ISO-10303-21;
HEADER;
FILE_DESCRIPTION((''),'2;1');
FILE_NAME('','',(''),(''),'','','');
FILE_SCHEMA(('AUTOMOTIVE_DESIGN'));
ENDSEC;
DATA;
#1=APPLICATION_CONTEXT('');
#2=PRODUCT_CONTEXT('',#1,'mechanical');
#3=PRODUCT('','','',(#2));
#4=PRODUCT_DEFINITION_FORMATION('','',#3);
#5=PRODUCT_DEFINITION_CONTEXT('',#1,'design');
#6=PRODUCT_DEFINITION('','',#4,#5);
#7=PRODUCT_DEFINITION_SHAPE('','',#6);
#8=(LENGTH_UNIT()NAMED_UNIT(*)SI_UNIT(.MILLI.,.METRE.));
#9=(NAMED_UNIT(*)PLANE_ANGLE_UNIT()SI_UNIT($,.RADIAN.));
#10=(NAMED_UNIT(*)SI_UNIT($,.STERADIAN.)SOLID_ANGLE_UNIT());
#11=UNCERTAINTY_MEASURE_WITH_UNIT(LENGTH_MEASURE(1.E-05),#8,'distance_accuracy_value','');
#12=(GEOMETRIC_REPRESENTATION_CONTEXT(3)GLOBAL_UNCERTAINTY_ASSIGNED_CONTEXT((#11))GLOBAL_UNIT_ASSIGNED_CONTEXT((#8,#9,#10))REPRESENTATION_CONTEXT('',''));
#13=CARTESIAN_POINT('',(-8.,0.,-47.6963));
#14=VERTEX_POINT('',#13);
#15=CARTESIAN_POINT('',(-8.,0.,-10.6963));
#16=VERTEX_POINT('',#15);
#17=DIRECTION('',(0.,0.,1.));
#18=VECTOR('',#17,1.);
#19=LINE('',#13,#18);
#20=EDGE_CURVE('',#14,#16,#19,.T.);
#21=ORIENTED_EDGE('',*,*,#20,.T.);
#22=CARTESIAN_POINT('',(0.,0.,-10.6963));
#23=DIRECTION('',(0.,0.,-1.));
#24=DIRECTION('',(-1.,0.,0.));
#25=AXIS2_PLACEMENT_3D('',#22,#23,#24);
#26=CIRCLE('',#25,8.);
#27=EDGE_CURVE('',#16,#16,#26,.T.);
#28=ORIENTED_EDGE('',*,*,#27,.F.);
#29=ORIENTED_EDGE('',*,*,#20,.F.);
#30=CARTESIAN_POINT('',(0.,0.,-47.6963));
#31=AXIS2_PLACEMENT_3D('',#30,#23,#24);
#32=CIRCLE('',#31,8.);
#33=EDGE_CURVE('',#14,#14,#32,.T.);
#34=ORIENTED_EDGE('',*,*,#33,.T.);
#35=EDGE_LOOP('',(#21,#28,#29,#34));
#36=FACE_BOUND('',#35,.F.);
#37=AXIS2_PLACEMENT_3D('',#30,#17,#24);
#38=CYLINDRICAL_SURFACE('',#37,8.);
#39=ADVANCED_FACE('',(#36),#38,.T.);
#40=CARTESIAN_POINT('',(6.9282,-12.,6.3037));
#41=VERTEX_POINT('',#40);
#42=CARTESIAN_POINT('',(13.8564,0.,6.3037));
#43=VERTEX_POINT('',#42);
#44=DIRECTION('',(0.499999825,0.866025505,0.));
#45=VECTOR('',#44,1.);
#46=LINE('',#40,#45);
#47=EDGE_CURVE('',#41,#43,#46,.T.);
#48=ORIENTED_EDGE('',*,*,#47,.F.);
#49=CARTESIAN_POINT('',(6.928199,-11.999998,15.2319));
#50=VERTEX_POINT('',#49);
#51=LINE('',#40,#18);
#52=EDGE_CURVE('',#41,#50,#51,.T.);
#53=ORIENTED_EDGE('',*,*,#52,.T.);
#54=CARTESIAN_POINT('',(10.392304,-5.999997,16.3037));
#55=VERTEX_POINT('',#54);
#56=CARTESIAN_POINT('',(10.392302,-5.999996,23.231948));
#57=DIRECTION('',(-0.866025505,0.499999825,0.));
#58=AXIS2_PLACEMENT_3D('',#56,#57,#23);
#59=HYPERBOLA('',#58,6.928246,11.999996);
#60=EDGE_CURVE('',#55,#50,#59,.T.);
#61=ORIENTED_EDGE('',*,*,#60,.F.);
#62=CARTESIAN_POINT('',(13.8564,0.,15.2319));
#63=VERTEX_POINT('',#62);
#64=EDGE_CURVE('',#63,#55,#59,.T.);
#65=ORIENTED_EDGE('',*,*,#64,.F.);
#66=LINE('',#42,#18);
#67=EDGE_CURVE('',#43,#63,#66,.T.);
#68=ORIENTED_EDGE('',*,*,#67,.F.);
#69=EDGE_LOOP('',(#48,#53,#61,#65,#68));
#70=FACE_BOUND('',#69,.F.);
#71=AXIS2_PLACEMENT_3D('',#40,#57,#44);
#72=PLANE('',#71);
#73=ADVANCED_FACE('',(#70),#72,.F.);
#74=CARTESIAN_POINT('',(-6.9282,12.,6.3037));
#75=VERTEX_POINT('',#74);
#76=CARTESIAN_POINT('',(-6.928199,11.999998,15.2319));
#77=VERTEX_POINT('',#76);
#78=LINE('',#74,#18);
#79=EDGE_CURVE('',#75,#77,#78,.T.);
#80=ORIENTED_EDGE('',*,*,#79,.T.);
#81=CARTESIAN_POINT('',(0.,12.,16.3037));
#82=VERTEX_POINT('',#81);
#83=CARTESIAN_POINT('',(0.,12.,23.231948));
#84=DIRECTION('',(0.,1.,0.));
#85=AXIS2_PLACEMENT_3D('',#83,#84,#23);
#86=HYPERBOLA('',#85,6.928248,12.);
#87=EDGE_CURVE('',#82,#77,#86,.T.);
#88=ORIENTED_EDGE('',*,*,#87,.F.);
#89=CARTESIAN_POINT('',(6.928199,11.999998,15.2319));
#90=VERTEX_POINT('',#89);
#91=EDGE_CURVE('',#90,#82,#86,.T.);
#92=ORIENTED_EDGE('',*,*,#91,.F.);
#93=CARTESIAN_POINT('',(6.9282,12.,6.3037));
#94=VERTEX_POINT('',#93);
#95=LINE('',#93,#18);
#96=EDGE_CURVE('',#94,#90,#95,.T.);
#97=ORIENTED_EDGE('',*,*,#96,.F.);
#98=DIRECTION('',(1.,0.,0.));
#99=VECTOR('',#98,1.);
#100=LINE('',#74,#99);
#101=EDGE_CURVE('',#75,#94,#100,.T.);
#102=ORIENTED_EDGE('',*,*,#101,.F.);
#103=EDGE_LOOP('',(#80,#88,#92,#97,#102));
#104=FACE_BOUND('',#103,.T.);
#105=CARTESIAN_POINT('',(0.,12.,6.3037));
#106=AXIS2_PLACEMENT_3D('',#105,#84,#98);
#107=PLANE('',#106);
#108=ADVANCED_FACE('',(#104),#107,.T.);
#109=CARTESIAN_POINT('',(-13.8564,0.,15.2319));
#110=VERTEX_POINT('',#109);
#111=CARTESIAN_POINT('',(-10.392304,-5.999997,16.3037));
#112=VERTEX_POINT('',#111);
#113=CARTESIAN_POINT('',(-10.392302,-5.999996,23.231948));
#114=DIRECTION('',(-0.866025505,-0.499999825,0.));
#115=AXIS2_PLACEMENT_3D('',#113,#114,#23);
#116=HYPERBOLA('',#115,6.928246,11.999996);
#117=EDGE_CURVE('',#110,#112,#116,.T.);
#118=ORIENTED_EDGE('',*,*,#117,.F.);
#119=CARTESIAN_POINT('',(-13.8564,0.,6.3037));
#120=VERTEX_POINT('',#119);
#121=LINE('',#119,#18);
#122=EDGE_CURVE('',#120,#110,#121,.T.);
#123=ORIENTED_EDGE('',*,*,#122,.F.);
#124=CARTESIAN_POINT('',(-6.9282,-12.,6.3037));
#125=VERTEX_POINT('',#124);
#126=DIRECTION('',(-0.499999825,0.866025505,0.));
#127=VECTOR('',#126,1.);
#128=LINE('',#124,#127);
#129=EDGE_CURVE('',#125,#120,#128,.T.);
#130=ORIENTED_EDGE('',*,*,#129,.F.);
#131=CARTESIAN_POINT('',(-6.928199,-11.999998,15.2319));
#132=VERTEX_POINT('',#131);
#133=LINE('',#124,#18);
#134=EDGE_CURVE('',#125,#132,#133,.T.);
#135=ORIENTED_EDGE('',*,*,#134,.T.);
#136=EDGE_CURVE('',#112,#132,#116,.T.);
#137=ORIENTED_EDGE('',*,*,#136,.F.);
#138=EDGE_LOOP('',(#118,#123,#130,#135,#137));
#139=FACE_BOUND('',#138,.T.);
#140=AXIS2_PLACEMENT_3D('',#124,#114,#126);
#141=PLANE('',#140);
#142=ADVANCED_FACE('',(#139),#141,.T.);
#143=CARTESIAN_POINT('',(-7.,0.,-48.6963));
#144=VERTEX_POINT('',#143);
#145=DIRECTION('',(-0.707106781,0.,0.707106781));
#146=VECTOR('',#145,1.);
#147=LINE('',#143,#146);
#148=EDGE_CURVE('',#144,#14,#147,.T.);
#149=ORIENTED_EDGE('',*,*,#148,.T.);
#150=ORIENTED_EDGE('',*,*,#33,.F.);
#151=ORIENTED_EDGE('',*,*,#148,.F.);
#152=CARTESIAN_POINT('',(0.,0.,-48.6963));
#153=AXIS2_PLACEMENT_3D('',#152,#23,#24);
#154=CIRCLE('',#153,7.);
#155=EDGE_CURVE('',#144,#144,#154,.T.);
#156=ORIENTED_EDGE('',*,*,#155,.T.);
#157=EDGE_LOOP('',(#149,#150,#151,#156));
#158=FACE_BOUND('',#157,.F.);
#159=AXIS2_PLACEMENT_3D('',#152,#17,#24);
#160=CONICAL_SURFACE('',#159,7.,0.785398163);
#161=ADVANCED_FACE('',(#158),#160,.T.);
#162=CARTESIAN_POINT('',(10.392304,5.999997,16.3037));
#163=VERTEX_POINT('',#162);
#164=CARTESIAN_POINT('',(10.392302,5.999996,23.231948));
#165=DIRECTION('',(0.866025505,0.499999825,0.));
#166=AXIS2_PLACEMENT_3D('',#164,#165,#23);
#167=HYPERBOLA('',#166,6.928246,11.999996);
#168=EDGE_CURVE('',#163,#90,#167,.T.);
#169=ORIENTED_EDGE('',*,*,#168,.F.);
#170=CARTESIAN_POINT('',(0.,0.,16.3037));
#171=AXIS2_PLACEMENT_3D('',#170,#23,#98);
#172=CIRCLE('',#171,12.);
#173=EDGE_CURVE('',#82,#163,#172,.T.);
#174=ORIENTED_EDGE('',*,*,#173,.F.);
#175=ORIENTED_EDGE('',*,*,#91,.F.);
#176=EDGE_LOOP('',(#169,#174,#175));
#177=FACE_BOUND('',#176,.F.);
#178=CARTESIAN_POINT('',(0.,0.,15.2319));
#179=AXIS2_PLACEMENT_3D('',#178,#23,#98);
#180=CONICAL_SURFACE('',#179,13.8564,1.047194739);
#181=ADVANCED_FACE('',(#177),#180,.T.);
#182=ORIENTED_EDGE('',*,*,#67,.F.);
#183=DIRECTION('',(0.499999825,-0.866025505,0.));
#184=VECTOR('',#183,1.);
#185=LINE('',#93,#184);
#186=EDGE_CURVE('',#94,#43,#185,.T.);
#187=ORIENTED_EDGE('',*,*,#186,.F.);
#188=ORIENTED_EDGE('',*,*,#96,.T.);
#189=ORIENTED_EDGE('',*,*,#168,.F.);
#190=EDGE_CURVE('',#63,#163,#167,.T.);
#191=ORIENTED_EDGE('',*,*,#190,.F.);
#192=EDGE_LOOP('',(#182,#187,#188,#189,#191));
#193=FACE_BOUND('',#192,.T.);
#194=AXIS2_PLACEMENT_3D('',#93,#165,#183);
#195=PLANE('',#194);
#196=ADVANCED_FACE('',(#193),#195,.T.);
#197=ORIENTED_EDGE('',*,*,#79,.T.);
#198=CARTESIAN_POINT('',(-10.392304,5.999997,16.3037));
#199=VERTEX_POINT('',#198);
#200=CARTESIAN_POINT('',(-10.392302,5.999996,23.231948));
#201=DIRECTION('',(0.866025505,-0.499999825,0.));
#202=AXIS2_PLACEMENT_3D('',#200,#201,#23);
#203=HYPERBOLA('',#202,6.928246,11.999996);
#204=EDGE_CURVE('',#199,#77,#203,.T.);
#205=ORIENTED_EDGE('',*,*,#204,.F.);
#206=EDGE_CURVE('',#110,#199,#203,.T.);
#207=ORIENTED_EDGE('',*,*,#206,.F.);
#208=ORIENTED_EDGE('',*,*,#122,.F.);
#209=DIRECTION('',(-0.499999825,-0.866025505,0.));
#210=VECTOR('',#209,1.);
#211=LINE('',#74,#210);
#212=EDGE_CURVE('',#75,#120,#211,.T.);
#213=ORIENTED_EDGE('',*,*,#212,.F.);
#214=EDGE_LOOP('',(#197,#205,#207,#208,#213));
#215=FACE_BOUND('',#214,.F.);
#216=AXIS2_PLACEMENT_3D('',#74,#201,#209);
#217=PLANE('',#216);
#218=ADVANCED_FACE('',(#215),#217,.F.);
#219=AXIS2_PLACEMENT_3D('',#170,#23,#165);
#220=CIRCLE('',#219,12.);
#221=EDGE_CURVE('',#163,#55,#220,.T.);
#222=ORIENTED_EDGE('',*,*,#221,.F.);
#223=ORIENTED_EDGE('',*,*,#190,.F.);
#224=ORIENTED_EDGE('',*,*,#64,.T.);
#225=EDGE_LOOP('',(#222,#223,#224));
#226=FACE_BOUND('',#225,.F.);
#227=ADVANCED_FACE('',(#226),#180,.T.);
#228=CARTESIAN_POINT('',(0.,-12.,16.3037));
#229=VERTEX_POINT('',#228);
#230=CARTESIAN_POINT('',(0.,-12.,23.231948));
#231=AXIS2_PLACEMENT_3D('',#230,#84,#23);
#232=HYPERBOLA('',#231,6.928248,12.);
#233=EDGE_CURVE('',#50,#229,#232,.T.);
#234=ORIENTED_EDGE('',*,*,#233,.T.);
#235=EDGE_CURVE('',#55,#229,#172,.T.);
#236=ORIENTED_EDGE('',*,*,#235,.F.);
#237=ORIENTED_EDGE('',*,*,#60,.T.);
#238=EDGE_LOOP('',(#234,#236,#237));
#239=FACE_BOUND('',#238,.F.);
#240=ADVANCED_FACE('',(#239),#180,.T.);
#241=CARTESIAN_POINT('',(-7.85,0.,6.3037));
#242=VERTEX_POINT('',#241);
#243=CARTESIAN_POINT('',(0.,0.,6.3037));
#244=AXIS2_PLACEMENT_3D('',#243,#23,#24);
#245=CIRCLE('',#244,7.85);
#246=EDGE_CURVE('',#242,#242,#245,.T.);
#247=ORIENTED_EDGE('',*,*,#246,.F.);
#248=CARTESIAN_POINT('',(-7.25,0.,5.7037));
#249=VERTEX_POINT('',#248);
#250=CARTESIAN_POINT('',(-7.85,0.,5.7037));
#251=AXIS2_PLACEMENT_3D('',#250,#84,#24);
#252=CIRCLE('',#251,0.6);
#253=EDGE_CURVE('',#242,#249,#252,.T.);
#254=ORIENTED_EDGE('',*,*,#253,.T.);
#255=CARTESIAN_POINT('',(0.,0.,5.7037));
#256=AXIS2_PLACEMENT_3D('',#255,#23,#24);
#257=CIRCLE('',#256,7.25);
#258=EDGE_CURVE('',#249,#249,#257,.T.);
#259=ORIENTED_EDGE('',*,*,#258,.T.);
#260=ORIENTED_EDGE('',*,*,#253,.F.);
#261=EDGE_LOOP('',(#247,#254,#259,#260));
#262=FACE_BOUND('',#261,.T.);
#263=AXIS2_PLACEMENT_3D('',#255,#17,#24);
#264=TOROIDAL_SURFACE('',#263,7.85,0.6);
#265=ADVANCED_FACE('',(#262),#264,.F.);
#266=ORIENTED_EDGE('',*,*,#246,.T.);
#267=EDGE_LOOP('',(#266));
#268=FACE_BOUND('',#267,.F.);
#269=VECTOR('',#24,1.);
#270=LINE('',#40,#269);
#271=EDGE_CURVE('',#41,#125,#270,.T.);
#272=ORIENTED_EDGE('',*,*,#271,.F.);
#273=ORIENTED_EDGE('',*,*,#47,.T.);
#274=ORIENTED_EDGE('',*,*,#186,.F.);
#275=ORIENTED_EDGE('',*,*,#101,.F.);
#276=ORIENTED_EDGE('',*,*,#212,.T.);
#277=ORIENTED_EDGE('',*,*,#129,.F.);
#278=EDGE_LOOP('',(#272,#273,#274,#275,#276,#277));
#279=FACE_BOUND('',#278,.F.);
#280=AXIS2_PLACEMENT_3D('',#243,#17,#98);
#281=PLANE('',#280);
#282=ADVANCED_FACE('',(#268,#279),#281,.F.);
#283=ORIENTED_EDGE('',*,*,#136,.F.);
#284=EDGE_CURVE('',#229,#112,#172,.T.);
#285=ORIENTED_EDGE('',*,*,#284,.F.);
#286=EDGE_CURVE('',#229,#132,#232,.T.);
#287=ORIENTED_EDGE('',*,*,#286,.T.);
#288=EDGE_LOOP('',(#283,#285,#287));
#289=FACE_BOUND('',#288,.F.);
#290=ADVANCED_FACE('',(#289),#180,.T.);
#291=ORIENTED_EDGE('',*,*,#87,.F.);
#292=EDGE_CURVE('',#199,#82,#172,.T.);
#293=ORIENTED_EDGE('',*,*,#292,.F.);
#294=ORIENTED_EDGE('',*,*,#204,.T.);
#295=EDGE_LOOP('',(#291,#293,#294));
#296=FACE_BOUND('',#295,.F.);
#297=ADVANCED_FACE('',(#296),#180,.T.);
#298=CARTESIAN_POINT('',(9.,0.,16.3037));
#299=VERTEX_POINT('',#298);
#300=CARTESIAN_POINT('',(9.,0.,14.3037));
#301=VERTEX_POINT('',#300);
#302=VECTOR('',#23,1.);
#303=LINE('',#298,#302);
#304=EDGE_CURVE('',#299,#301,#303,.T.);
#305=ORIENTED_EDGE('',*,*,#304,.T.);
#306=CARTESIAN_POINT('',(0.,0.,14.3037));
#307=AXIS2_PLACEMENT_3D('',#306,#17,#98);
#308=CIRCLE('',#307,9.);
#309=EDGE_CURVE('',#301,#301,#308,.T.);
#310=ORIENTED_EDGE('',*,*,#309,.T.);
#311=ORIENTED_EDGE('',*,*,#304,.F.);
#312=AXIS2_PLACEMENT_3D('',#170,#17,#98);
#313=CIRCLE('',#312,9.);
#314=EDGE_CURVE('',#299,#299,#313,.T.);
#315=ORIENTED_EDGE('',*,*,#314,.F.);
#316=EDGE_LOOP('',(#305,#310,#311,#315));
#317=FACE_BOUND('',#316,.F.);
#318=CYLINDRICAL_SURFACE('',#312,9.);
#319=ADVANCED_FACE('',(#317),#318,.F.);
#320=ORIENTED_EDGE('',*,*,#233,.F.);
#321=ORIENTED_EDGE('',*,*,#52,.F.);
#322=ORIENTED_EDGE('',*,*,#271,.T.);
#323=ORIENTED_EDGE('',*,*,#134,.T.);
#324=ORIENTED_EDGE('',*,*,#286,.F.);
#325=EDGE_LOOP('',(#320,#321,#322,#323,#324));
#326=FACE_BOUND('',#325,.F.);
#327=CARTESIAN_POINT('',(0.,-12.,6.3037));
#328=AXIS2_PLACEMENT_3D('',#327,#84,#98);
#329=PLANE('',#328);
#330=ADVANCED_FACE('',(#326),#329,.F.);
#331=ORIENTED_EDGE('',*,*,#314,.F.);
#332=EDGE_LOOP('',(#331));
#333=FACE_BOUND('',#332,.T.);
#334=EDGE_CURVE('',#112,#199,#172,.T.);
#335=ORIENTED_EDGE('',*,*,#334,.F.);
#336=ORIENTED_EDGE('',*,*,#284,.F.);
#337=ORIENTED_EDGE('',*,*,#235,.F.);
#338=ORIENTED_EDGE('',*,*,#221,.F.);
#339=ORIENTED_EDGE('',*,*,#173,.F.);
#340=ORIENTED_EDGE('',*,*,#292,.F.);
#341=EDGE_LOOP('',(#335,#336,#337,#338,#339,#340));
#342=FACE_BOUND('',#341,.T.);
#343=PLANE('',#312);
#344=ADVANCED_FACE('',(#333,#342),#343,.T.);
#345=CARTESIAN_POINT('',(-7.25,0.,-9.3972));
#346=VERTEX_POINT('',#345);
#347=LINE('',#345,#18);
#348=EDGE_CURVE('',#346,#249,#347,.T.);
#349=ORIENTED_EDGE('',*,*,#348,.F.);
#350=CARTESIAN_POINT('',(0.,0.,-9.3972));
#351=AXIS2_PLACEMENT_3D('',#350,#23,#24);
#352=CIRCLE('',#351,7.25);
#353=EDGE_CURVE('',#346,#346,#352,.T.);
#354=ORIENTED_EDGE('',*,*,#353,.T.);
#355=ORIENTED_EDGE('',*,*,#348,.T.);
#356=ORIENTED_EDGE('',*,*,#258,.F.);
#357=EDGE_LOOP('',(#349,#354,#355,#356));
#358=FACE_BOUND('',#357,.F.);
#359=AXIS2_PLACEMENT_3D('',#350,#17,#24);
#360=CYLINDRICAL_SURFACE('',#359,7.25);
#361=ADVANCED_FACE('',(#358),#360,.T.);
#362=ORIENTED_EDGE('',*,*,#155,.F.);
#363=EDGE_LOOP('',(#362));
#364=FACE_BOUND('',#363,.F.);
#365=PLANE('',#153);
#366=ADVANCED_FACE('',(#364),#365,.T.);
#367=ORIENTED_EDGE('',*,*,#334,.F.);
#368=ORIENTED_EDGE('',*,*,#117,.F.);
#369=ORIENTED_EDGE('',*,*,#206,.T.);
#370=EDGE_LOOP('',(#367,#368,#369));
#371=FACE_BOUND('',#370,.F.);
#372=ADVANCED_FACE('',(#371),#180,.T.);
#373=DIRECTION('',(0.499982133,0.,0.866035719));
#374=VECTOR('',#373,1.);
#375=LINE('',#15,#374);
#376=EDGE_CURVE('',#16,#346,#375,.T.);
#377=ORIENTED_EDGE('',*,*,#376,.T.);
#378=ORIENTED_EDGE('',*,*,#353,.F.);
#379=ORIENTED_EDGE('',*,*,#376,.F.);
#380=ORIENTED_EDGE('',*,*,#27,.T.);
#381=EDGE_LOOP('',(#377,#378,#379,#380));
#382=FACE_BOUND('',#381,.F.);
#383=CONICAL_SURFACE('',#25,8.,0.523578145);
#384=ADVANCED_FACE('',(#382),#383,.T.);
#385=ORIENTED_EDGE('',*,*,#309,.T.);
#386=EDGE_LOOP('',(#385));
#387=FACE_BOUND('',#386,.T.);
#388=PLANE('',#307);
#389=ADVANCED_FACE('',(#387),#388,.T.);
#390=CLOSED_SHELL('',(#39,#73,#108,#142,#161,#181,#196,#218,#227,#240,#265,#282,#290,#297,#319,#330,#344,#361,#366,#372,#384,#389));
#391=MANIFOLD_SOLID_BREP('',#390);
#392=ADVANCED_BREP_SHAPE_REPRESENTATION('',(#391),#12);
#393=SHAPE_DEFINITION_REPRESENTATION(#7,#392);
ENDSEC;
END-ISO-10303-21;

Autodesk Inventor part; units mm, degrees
ref_plane "YZ Plane" through (0, 0, 0) normal (1, 0, 0) x (0, 1, 0)
sketch "Sketch2" plane through (0, 0, 0) normal (0, 1, 0) x (-1, 0, 0)
  line L0 (0, 6.3037) -> (0, -48.6963)
  line L1 (0, -48.6963) -> (7, -48.6963)
  line L2 (8, -47.6963) -> (8, -10.6963)
  line L3 (8, -10.6963) -> (7.25, -9.3972)
  line L4 (7.25, -9.3972) -> (7.25, 6.3037)
  line L5 (7.25, 6.3037) -> (0, 6.3037)
  line L6 (7, -48.6963) -> (8, -47.6963)
  line L7 (8, -48.6963) -> (8, -50.1105)
  line L8 (0, -61.3933) -> (0, 17.5866) projected
  dimension "Ds" = 14.5
  dimension "NND" = 16
  dimension "b" = 38
  dimension "d3" = 30
  dimension "d5" = 45
  dimension "PTC" = 2
  dimension "NLG" = 55
revolve "Revolution1" add sketch "Sketch2" angle 360 about axis through (0, 0, 6.3037) along (0, 0, -1)
sketch "Sketch3" plane through (0, 0, 6.3037) normal (0, 0, 1) x (1, 0, 0)
  circle A0 centre (0, 0) radius 7.25 projected
  line L0 (0, 12) -> (6.9282, 12)
  line L1 (6.9282, 12) -> (13.8564, 0)
  line L2 (13.8564, 0) -> (0, 0)
  line L3 (0, 0) -> (0, 12)
  line L4 (0, 12) -> (-6.9282, 12)
  line L5 (-6.9282, 12) -> (-13.8564, 0)
  line L6 (0, -12) -> (6.9282, -12)
  line L7 (6.9282, -12) -> (13.8564, 0)
  line L8 (-6.9282, -12) -> (-13.8564, 0)
  line L9 (0, -12) -> (-6.9282, -12)
  dimension "d9" = 60
  dimension "ParS" = 24
  dimension "msp_d11" = 24
extrude "Extrusion1" add sketch "Sketch3" along normal blind 10
sketch "Sketch4" plane through (0, 0, 0) normal (0, 1, 0) x (-1, 0, 0)
  line L0 (-12, 16.3037) -> (-13.8564, 16.3037)
  line L1 (-13.8564, 16.3037) -> (-13.8564, 15.2319)
  line L2 (-13.8564, 15.2319) -> (-12, 16.3037)
  line L3 (0, 1.9144) -> (0, 32.6399) projected
  line L4 (0, 28.2505) -> (0, 27.1787)
  line L5 (-13.8564, 6.3037) -> (-13.8564, 16.3037) projected
  line L6 (-6.9282, 16.3037) -> (-13.8564, 16.3037) projected
  dimension "d14" = 30
  dimension "msp_d15" = 24
revolve "Revolution2" cut sketch "Sketch4" angle 360 about axis through (0, 0, 28.2505) along (0, 0, -1)
sketch "Sketch5" plane through (0, 0, 16.3037) normal (0, 0, 1) x (1, 0, 0)
  arc A0 (10.3923, 6) -> (0, 12) centre (0, 0) ccw projected
  circle A1 centre (0, 0) radius 9
  dimension "d27" = 18
extrude "Extrusion2" cut sketch "Sketch5" against normal blind 2
thread "Thread1" size "M16x2" class "6g" standard "ISO Metric profile" full length
ref_plane "MSC_PF1" through (0, 0, 0) normal (0, 1, 0) x (-1, 0, 0)
ref_plane "MSC_PT1" through (0, 0, 6.3037) normal (0, 0, -1) x (-1, 0, 0)
fillet "Fillet1" radius 0.6 1 edges at (7.25, 0, 6.3037)
equation "\"msp_d11\" = ParS"
equation "\"msp_d15\" = ParS"
equation "\"d27\" = 0.75 * ParS"
equation "\"d28\" = 0.2 * ParK"
equation "\"d30\" = r"
equation "\"msp_d17\" = b"
equation "\"r\" = 0.6"
equation "\"THREADDIA\" = NND"
equation "\"ParK\" = 10"
properties part number "ISO 4015 - M16 x 55" material "Stainless Steel, 440C"
